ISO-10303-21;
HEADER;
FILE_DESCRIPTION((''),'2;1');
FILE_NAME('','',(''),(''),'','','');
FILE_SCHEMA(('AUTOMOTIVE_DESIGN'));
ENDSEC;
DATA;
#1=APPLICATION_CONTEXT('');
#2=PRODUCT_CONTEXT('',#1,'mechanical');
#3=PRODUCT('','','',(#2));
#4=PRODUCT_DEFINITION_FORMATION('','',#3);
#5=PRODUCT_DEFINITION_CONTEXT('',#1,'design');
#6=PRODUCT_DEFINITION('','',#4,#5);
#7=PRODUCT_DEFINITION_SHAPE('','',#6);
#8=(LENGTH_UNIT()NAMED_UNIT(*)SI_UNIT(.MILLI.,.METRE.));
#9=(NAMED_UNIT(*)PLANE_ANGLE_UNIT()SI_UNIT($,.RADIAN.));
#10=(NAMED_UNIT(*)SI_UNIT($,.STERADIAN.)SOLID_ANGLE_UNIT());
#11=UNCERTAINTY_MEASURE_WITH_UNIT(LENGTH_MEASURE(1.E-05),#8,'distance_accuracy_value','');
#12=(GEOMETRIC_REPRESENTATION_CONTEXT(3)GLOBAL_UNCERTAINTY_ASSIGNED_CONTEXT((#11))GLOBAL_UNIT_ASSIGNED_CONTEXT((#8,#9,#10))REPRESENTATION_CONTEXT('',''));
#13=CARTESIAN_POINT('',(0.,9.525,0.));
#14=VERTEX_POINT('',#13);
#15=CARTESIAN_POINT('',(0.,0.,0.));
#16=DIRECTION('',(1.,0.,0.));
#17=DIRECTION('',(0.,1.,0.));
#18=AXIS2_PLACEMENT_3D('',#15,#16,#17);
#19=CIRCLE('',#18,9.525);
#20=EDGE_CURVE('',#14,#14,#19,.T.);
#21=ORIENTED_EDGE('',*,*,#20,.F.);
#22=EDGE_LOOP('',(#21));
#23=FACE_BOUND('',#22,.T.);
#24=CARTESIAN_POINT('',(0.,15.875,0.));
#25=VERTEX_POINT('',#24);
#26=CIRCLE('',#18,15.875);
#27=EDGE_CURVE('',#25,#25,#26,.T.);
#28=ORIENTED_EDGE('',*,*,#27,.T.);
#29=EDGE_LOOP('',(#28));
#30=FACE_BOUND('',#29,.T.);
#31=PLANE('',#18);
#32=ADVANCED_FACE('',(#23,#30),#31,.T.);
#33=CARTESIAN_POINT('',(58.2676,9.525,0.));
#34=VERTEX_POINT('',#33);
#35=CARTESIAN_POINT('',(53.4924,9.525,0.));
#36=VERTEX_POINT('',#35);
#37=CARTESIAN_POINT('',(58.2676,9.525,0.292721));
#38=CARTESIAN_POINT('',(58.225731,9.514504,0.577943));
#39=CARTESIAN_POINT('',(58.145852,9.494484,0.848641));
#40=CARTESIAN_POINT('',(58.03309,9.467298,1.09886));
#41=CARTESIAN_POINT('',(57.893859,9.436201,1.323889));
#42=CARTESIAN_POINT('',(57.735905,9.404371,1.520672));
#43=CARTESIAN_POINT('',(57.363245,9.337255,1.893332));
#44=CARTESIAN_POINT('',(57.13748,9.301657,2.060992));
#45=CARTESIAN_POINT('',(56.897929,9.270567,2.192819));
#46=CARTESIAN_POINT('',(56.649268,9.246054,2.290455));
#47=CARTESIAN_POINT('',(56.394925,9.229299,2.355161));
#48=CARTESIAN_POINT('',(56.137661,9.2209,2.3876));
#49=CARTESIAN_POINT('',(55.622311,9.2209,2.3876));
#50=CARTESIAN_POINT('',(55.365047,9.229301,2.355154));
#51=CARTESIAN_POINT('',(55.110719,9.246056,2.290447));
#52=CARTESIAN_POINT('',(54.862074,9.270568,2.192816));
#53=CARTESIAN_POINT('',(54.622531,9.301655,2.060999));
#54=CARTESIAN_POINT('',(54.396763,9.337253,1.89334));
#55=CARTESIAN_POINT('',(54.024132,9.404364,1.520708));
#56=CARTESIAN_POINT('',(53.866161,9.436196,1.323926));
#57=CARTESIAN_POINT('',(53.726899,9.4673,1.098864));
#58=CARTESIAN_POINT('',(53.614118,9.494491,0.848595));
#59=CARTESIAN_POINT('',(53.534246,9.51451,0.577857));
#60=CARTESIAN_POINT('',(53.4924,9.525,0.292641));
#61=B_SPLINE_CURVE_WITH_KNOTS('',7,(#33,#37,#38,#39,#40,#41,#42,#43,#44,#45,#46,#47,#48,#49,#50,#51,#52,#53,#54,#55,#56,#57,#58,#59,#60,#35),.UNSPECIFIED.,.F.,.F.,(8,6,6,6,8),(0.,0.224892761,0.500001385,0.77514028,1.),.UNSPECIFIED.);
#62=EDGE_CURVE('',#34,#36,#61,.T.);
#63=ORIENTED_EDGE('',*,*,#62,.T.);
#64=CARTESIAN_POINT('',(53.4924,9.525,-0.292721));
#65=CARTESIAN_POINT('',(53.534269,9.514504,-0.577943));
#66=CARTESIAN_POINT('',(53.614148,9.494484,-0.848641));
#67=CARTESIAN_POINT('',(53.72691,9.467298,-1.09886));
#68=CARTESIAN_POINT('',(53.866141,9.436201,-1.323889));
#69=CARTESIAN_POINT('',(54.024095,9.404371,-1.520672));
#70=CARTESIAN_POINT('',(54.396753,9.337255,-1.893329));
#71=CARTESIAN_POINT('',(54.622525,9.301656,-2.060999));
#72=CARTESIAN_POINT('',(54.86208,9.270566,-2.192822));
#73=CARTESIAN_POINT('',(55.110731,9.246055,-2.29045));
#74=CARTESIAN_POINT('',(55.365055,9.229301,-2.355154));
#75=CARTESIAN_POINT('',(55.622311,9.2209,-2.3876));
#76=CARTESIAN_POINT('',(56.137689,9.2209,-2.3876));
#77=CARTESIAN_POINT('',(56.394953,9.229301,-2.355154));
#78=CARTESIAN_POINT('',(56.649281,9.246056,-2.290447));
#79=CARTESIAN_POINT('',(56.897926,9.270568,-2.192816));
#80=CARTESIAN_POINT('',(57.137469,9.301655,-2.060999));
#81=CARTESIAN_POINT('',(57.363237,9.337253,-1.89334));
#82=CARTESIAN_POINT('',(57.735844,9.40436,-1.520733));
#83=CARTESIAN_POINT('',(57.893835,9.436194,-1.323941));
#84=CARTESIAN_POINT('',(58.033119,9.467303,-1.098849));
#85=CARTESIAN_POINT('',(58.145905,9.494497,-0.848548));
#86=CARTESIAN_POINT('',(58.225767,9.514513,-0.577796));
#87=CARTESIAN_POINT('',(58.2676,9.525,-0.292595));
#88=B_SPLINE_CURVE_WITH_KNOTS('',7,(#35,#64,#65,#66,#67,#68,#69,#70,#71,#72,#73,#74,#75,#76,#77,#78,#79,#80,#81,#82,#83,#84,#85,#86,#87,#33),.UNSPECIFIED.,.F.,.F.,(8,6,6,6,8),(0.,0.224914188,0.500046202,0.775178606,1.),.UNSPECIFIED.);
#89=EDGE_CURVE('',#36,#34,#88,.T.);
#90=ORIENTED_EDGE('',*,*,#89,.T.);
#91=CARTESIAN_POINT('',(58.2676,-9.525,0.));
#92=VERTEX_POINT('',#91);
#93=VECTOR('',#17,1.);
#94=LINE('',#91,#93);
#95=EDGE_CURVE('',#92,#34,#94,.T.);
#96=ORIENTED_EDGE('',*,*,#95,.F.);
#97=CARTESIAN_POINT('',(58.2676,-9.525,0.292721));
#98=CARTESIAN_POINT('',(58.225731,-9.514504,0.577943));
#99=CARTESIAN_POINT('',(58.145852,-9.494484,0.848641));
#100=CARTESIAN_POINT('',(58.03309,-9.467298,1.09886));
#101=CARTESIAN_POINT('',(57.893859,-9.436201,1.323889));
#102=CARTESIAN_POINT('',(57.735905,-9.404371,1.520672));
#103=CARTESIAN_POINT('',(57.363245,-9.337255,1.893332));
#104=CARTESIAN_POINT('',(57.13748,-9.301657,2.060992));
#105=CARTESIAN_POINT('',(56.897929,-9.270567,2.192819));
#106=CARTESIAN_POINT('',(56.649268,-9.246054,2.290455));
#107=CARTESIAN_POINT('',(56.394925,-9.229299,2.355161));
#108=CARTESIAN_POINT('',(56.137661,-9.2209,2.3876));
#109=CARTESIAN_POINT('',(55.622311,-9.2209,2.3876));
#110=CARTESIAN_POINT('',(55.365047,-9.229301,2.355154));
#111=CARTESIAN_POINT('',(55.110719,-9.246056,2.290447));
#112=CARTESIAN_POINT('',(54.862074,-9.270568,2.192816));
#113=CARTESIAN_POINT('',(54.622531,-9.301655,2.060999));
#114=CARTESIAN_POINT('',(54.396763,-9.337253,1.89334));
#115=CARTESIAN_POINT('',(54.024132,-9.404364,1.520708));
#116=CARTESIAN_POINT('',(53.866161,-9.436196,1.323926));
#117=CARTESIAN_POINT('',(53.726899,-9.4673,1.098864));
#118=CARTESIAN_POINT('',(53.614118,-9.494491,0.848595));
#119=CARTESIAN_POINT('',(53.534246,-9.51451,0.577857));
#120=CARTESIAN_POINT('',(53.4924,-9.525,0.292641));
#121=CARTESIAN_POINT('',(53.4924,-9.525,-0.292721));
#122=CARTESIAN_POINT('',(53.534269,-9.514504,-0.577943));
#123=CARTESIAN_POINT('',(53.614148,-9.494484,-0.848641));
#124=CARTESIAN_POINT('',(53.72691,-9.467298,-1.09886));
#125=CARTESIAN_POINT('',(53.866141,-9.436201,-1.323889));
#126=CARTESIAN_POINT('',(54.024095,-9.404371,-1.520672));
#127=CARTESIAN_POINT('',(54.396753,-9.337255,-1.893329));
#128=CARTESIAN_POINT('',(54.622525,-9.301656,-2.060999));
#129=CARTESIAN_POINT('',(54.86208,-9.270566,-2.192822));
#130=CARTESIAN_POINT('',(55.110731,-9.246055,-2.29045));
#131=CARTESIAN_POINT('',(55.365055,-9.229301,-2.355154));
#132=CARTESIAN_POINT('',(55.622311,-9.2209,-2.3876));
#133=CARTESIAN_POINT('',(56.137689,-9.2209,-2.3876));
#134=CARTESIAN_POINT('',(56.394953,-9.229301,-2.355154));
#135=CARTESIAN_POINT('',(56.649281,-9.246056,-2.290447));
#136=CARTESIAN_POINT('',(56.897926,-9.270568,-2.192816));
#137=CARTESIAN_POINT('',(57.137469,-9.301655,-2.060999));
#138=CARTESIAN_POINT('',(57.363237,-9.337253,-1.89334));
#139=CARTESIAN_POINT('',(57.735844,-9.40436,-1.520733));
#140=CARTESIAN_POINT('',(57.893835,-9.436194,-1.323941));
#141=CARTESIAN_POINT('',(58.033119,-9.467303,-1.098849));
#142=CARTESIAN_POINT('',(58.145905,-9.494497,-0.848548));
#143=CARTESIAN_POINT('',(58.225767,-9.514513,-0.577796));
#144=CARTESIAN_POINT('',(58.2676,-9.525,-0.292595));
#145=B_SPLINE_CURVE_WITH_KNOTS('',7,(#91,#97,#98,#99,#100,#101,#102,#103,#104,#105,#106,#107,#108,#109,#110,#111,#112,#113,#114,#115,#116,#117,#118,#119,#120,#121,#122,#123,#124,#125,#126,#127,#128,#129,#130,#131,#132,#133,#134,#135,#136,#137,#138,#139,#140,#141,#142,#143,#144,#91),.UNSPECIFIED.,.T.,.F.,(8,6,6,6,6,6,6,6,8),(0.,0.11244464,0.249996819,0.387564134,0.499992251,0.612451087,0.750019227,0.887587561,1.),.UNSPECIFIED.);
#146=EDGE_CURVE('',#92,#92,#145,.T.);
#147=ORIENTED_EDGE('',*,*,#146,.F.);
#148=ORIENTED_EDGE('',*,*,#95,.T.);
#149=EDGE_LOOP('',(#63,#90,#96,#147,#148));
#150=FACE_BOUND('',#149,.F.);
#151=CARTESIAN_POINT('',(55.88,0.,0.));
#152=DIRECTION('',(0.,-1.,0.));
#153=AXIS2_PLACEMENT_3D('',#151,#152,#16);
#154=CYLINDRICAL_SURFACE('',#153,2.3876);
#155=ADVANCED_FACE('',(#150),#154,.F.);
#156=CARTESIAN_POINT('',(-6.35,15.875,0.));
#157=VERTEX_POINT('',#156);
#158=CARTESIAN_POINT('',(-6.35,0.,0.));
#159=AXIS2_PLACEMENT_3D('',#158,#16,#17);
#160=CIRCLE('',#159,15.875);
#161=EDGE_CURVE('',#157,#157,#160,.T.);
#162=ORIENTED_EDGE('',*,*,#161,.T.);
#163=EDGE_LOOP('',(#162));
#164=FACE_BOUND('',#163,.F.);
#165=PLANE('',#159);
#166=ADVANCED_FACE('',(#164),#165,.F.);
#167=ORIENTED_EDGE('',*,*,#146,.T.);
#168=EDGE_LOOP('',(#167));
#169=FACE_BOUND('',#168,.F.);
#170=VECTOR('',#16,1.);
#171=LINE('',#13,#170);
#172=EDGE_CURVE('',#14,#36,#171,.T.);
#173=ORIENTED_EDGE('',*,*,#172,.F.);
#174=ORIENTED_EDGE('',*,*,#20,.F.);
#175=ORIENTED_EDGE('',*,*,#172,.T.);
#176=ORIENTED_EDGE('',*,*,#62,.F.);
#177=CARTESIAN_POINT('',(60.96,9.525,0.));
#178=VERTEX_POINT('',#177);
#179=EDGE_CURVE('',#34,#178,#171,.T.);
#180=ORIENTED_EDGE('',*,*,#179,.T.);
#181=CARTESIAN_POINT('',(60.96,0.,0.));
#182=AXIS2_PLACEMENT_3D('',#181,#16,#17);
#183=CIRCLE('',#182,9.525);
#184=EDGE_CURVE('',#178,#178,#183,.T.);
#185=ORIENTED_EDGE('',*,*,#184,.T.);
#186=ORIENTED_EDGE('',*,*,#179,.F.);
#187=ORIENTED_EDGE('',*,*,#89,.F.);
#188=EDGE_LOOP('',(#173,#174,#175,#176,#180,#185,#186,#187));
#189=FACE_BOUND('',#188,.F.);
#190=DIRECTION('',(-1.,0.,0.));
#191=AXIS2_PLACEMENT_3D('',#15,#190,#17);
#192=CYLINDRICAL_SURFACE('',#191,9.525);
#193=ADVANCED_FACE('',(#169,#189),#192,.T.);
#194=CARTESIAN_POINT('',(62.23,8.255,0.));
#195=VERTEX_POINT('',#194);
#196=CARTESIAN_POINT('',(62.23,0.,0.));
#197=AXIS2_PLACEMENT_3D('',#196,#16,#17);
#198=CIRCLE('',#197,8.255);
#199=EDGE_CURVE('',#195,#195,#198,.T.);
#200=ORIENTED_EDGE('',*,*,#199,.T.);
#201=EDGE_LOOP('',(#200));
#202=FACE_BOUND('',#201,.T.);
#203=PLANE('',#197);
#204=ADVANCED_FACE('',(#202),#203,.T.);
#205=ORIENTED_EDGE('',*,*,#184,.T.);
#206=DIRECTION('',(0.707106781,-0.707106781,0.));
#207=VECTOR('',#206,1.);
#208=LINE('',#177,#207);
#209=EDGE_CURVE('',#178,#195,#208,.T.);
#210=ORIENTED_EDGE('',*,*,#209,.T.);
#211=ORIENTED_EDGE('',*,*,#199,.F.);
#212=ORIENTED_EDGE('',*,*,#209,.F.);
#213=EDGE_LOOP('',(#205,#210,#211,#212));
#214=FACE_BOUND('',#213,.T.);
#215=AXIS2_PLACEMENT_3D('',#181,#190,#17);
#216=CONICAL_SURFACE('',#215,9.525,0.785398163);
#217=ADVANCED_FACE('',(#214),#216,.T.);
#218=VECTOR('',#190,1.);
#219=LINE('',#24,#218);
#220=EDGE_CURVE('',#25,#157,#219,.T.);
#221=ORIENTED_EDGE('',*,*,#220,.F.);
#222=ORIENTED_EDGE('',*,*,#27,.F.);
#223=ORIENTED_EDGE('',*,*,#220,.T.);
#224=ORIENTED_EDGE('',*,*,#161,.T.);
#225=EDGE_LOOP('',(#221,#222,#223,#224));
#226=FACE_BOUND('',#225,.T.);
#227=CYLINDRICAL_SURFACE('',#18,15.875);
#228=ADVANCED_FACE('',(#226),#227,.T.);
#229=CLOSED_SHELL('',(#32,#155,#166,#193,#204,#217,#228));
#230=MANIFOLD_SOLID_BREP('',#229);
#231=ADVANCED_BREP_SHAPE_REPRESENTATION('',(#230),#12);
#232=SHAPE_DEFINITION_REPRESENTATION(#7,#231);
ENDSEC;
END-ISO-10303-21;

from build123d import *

# Parameters (mm, degrees)
F0_R          = 15.875
F1_DEPTH      = 6.35
F2_R          = 9.525
F3_DEPTH      = 62.23
F4_R          = 2.3876
F5_DEPTH      = 15.876
F5_DEPTH_BACK = 15.876
F6_SIZE2      = 1.27
F6_SIZE       = 1.27


with BuildPart() as f1:
    # F0 (on Right) → F1 (new body)
    with BuildSketch(Plane.YZ):
        Circle(F0_R)
    extrude(amount=-F1_DEPTH)

    # F2 (on face) → F3 (join)
    with BuildSketch(Plane.YZ):
        Circle(F2_R)
    extrude(amount=F3_DEPTH)

    # F4 (on Front) → F5 (cut, two sides)
    with BuildSketch(Plane.XZ) as f5_sk:
        with Locations((55.88, 0)):
            Circle(F4_R)
    extrude(amount=-F5_DEPTH, mode=Mode.SUBTRACT)
    extrude(f5_sk.sketch, amount=F5_DEPTH_BACK, mode=Mode.SUBTRACT)

    # F6
    f6_edges = [f1.edges().sort_by_distance(p)[0] for p in [
        (62.23, -9.525, 0),
    ]]
    chamfer(f6_edges, length=F6_SIZE, length2=F6_SIZE2)


solid = f1.part
